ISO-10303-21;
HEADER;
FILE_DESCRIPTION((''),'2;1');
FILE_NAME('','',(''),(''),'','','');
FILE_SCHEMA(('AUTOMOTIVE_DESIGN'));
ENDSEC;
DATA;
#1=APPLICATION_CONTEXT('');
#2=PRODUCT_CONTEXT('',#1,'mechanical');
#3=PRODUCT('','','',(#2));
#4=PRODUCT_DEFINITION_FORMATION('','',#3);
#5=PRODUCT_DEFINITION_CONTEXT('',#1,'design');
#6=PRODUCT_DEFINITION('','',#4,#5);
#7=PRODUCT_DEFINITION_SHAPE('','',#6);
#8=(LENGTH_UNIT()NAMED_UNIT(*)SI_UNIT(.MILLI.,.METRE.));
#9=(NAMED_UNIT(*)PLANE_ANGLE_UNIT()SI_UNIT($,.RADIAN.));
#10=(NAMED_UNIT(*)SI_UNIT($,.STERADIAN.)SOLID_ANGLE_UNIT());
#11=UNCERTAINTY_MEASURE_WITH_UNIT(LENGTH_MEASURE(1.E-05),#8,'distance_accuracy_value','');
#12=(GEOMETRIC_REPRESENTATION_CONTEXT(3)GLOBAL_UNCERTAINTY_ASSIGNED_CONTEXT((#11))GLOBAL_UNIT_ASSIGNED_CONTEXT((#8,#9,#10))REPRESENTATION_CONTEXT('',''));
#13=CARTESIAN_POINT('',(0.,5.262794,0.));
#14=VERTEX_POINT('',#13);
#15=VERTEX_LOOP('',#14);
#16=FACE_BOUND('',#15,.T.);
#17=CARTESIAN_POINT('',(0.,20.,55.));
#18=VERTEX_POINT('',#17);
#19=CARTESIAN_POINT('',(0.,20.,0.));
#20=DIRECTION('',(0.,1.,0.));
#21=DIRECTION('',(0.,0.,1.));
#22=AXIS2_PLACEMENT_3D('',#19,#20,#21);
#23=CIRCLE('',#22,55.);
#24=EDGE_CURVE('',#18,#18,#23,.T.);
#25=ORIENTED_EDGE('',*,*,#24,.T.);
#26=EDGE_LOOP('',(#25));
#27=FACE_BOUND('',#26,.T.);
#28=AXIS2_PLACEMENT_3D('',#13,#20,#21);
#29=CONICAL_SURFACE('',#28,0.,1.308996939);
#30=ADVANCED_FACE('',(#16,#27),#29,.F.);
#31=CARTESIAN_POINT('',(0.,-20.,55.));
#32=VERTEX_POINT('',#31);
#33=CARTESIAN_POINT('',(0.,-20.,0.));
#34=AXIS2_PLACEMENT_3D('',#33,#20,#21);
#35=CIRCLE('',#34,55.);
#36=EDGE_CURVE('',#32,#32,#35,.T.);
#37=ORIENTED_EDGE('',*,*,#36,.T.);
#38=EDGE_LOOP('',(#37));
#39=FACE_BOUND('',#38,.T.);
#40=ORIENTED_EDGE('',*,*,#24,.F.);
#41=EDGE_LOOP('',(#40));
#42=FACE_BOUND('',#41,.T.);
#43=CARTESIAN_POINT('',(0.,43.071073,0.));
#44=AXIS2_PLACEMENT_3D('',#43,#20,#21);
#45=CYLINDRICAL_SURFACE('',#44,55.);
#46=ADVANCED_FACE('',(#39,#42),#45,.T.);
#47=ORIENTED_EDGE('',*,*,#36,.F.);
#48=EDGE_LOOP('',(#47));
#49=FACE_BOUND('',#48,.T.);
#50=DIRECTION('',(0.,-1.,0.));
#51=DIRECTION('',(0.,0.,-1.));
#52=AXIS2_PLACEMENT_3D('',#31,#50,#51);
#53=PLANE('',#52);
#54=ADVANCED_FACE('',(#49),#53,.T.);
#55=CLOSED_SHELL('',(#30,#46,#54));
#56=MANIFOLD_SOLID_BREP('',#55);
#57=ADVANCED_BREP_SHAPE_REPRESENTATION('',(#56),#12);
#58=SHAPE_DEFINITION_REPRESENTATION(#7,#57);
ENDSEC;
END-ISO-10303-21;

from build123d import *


with BuildPart() as part:
    # Sketch1 → Revolve1 (revolve)
    with BuildSketch(Plane(origin=(0, 0, 0), x_dir=(0, 0, -1), z_dir=(1, 0, 0))):
        Polygon((-55, 20), (-55, -20), (0, -20), (0, 5.262794416), align=None)
    revolve(axis=Axis((0, 43.071073477, 0), (0, -1, 0)))


solid = part.part
